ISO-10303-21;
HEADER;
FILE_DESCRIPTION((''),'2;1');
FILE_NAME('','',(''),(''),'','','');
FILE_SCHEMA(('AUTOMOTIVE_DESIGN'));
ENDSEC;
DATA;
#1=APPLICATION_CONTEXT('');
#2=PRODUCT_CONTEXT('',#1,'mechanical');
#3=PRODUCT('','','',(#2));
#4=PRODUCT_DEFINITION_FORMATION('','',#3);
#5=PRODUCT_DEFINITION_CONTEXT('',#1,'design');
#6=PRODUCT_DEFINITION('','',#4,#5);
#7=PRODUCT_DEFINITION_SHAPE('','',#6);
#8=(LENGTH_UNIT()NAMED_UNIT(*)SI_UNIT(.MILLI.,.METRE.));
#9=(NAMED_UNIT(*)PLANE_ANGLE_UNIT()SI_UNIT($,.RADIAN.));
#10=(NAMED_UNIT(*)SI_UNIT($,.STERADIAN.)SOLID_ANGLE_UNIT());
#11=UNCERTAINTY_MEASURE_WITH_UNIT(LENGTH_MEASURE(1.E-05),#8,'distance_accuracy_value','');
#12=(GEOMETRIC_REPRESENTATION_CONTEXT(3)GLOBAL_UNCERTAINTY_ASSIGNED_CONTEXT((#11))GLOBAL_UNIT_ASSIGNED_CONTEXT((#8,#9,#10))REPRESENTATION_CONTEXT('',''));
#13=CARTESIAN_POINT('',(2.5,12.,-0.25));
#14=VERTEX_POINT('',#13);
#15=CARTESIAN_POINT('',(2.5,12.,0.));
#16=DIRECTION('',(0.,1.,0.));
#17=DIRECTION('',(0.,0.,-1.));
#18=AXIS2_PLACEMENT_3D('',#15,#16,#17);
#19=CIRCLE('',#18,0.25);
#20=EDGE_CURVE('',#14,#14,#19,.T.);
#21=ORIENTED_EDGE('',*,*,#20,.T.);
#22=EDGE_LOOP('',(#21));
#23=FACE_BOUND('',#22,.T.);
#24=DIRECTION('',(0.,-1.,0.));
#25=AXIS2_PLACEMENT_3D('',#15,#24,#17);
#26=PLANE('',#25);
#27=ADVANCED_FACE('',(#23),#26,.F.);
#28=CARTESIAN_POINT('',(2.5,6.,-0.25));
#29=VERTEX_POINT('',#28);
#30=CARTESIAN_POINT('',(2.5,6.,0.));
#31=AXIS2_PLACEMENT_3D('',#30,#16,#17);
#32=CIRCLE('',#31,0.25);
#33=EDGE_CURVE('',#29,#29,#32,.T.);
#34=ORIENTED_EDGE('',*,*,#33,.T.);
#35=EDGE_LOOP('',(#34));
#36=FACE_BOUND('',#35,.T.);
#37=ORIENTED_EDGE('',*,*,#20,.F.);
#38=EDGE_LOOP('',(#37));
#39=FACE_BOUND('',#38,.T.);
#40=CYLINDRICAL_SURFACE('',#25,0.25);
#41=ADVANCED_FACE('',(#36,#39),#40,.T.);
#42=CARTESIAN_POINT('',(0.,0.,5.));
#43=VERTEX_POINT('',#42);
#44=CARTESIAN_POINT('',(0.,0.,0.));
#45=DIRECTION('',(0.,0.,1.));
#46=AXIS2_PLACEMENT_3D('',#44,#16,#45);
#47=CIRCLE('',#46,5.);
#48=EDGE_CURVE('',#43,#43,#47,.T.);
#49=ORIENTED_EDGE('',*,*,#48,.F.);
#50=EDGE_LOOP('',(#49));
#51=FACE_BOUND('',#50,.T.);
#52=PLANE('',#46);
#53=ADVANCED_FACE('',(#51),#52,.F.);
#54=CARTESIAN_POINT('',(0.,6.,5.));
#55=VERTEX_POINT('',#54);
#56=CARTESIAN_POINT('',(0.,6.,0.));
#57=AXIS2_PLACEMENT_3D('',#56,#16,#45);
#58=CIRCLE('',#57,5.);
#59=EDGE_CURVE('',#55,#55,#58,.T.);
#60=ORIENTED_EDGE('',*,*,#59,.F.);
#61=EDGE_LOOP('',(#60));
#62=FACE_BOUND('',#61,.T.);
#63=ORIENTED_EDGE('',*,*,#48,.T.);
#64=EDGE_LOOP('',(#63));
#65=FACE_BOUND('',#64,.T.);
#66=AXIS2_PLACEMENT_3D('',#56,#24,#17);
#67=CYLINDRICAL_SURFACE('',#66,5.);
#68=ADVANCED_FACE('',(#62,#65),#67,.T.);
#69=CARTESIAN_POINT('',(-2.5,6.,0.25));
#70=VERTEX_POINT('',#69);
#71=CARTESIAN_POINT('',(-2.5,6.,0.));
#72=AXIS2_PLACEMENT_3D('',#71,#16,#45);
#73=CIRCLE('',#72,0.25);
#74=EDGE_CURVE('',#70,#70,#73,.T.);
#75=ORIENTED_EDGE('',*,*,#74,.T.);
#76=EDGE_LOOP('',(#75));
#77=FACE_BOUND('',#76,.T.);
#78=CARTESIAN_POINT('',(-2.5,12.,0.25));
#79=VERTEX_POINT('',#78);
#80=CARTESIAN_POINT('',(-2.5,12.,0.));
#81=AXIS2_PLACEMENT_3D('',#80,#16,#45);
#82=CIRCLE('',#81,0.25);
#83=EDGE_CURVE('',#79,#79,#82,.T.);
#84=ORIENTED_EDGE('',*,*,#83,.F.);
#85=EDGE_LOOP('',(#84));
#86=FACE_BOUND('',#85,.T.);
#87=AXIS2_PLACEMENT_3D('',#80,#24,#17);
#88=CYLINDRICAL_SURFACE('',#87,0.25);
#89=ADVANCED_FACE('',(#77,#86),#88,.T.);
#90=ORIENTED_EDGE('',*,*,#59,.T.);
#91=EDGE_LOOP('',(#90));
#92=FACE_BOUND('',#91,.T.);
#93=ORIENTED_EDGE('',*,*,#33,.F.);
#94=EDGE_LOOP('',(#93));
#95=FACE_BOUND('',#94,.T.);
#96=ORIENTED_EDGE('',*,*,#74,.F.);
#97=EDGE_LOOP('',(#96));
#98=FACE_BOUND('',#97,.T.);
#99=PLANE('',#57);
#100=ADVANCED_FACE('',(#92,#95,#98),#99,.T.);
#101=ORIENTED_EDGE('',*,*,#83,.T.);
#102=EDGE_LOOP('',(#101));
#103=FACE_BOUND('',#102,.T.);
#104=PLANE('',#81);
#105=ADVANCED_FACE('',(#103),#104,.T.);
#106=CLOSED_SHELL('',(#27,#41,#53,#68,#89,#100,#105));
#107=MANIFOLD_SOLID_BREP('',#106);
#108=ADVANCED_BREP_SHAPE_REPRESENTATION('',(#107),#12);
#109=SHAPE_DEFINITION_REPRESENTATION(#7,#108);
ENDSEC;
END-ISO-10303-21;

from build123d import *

# Parameters (mm, degrees)
SKETCH_1_R      = 5
EXTRUDE_1_DEPTH = 6
SKETCH_2_R      = 0.25
EXTRUDE_2_DEPTH = 6


with BuildPart() as part:
    # Эскиз1 → Бобышка-Вытянуть1 (new body)
    with BuildSketch(Plane(origin=(0, 0, 0), x_dir=(1, 0, 0), z_dir=(0, 1, 0))):
        with Locations(Location((0, 0, 0), (0, 0, 270))):
            Circle(SKETCH_1_R)
    extrude(amount=EXTRUDE_1_DEPTH)

    # Эскиз2 → Бобышка-Вытянуть2 (add)
    with BuildSketch(Plane(origin=(0, 6, 0), x_dir=(1, 0, 0), z_dir=(0, 1, 0))):
        with Locations(Location((-2.5, 0, 0), (0, 0, 270))):
            Circle(SKETCH_2_R)
        with Locations(Location((2.5, 0, 0), (0, 0, 90))):
            Circle(SKETCH_2_R)
    extrude(amount=EXTRUDE_2_DEPTH)


solid = part.part
